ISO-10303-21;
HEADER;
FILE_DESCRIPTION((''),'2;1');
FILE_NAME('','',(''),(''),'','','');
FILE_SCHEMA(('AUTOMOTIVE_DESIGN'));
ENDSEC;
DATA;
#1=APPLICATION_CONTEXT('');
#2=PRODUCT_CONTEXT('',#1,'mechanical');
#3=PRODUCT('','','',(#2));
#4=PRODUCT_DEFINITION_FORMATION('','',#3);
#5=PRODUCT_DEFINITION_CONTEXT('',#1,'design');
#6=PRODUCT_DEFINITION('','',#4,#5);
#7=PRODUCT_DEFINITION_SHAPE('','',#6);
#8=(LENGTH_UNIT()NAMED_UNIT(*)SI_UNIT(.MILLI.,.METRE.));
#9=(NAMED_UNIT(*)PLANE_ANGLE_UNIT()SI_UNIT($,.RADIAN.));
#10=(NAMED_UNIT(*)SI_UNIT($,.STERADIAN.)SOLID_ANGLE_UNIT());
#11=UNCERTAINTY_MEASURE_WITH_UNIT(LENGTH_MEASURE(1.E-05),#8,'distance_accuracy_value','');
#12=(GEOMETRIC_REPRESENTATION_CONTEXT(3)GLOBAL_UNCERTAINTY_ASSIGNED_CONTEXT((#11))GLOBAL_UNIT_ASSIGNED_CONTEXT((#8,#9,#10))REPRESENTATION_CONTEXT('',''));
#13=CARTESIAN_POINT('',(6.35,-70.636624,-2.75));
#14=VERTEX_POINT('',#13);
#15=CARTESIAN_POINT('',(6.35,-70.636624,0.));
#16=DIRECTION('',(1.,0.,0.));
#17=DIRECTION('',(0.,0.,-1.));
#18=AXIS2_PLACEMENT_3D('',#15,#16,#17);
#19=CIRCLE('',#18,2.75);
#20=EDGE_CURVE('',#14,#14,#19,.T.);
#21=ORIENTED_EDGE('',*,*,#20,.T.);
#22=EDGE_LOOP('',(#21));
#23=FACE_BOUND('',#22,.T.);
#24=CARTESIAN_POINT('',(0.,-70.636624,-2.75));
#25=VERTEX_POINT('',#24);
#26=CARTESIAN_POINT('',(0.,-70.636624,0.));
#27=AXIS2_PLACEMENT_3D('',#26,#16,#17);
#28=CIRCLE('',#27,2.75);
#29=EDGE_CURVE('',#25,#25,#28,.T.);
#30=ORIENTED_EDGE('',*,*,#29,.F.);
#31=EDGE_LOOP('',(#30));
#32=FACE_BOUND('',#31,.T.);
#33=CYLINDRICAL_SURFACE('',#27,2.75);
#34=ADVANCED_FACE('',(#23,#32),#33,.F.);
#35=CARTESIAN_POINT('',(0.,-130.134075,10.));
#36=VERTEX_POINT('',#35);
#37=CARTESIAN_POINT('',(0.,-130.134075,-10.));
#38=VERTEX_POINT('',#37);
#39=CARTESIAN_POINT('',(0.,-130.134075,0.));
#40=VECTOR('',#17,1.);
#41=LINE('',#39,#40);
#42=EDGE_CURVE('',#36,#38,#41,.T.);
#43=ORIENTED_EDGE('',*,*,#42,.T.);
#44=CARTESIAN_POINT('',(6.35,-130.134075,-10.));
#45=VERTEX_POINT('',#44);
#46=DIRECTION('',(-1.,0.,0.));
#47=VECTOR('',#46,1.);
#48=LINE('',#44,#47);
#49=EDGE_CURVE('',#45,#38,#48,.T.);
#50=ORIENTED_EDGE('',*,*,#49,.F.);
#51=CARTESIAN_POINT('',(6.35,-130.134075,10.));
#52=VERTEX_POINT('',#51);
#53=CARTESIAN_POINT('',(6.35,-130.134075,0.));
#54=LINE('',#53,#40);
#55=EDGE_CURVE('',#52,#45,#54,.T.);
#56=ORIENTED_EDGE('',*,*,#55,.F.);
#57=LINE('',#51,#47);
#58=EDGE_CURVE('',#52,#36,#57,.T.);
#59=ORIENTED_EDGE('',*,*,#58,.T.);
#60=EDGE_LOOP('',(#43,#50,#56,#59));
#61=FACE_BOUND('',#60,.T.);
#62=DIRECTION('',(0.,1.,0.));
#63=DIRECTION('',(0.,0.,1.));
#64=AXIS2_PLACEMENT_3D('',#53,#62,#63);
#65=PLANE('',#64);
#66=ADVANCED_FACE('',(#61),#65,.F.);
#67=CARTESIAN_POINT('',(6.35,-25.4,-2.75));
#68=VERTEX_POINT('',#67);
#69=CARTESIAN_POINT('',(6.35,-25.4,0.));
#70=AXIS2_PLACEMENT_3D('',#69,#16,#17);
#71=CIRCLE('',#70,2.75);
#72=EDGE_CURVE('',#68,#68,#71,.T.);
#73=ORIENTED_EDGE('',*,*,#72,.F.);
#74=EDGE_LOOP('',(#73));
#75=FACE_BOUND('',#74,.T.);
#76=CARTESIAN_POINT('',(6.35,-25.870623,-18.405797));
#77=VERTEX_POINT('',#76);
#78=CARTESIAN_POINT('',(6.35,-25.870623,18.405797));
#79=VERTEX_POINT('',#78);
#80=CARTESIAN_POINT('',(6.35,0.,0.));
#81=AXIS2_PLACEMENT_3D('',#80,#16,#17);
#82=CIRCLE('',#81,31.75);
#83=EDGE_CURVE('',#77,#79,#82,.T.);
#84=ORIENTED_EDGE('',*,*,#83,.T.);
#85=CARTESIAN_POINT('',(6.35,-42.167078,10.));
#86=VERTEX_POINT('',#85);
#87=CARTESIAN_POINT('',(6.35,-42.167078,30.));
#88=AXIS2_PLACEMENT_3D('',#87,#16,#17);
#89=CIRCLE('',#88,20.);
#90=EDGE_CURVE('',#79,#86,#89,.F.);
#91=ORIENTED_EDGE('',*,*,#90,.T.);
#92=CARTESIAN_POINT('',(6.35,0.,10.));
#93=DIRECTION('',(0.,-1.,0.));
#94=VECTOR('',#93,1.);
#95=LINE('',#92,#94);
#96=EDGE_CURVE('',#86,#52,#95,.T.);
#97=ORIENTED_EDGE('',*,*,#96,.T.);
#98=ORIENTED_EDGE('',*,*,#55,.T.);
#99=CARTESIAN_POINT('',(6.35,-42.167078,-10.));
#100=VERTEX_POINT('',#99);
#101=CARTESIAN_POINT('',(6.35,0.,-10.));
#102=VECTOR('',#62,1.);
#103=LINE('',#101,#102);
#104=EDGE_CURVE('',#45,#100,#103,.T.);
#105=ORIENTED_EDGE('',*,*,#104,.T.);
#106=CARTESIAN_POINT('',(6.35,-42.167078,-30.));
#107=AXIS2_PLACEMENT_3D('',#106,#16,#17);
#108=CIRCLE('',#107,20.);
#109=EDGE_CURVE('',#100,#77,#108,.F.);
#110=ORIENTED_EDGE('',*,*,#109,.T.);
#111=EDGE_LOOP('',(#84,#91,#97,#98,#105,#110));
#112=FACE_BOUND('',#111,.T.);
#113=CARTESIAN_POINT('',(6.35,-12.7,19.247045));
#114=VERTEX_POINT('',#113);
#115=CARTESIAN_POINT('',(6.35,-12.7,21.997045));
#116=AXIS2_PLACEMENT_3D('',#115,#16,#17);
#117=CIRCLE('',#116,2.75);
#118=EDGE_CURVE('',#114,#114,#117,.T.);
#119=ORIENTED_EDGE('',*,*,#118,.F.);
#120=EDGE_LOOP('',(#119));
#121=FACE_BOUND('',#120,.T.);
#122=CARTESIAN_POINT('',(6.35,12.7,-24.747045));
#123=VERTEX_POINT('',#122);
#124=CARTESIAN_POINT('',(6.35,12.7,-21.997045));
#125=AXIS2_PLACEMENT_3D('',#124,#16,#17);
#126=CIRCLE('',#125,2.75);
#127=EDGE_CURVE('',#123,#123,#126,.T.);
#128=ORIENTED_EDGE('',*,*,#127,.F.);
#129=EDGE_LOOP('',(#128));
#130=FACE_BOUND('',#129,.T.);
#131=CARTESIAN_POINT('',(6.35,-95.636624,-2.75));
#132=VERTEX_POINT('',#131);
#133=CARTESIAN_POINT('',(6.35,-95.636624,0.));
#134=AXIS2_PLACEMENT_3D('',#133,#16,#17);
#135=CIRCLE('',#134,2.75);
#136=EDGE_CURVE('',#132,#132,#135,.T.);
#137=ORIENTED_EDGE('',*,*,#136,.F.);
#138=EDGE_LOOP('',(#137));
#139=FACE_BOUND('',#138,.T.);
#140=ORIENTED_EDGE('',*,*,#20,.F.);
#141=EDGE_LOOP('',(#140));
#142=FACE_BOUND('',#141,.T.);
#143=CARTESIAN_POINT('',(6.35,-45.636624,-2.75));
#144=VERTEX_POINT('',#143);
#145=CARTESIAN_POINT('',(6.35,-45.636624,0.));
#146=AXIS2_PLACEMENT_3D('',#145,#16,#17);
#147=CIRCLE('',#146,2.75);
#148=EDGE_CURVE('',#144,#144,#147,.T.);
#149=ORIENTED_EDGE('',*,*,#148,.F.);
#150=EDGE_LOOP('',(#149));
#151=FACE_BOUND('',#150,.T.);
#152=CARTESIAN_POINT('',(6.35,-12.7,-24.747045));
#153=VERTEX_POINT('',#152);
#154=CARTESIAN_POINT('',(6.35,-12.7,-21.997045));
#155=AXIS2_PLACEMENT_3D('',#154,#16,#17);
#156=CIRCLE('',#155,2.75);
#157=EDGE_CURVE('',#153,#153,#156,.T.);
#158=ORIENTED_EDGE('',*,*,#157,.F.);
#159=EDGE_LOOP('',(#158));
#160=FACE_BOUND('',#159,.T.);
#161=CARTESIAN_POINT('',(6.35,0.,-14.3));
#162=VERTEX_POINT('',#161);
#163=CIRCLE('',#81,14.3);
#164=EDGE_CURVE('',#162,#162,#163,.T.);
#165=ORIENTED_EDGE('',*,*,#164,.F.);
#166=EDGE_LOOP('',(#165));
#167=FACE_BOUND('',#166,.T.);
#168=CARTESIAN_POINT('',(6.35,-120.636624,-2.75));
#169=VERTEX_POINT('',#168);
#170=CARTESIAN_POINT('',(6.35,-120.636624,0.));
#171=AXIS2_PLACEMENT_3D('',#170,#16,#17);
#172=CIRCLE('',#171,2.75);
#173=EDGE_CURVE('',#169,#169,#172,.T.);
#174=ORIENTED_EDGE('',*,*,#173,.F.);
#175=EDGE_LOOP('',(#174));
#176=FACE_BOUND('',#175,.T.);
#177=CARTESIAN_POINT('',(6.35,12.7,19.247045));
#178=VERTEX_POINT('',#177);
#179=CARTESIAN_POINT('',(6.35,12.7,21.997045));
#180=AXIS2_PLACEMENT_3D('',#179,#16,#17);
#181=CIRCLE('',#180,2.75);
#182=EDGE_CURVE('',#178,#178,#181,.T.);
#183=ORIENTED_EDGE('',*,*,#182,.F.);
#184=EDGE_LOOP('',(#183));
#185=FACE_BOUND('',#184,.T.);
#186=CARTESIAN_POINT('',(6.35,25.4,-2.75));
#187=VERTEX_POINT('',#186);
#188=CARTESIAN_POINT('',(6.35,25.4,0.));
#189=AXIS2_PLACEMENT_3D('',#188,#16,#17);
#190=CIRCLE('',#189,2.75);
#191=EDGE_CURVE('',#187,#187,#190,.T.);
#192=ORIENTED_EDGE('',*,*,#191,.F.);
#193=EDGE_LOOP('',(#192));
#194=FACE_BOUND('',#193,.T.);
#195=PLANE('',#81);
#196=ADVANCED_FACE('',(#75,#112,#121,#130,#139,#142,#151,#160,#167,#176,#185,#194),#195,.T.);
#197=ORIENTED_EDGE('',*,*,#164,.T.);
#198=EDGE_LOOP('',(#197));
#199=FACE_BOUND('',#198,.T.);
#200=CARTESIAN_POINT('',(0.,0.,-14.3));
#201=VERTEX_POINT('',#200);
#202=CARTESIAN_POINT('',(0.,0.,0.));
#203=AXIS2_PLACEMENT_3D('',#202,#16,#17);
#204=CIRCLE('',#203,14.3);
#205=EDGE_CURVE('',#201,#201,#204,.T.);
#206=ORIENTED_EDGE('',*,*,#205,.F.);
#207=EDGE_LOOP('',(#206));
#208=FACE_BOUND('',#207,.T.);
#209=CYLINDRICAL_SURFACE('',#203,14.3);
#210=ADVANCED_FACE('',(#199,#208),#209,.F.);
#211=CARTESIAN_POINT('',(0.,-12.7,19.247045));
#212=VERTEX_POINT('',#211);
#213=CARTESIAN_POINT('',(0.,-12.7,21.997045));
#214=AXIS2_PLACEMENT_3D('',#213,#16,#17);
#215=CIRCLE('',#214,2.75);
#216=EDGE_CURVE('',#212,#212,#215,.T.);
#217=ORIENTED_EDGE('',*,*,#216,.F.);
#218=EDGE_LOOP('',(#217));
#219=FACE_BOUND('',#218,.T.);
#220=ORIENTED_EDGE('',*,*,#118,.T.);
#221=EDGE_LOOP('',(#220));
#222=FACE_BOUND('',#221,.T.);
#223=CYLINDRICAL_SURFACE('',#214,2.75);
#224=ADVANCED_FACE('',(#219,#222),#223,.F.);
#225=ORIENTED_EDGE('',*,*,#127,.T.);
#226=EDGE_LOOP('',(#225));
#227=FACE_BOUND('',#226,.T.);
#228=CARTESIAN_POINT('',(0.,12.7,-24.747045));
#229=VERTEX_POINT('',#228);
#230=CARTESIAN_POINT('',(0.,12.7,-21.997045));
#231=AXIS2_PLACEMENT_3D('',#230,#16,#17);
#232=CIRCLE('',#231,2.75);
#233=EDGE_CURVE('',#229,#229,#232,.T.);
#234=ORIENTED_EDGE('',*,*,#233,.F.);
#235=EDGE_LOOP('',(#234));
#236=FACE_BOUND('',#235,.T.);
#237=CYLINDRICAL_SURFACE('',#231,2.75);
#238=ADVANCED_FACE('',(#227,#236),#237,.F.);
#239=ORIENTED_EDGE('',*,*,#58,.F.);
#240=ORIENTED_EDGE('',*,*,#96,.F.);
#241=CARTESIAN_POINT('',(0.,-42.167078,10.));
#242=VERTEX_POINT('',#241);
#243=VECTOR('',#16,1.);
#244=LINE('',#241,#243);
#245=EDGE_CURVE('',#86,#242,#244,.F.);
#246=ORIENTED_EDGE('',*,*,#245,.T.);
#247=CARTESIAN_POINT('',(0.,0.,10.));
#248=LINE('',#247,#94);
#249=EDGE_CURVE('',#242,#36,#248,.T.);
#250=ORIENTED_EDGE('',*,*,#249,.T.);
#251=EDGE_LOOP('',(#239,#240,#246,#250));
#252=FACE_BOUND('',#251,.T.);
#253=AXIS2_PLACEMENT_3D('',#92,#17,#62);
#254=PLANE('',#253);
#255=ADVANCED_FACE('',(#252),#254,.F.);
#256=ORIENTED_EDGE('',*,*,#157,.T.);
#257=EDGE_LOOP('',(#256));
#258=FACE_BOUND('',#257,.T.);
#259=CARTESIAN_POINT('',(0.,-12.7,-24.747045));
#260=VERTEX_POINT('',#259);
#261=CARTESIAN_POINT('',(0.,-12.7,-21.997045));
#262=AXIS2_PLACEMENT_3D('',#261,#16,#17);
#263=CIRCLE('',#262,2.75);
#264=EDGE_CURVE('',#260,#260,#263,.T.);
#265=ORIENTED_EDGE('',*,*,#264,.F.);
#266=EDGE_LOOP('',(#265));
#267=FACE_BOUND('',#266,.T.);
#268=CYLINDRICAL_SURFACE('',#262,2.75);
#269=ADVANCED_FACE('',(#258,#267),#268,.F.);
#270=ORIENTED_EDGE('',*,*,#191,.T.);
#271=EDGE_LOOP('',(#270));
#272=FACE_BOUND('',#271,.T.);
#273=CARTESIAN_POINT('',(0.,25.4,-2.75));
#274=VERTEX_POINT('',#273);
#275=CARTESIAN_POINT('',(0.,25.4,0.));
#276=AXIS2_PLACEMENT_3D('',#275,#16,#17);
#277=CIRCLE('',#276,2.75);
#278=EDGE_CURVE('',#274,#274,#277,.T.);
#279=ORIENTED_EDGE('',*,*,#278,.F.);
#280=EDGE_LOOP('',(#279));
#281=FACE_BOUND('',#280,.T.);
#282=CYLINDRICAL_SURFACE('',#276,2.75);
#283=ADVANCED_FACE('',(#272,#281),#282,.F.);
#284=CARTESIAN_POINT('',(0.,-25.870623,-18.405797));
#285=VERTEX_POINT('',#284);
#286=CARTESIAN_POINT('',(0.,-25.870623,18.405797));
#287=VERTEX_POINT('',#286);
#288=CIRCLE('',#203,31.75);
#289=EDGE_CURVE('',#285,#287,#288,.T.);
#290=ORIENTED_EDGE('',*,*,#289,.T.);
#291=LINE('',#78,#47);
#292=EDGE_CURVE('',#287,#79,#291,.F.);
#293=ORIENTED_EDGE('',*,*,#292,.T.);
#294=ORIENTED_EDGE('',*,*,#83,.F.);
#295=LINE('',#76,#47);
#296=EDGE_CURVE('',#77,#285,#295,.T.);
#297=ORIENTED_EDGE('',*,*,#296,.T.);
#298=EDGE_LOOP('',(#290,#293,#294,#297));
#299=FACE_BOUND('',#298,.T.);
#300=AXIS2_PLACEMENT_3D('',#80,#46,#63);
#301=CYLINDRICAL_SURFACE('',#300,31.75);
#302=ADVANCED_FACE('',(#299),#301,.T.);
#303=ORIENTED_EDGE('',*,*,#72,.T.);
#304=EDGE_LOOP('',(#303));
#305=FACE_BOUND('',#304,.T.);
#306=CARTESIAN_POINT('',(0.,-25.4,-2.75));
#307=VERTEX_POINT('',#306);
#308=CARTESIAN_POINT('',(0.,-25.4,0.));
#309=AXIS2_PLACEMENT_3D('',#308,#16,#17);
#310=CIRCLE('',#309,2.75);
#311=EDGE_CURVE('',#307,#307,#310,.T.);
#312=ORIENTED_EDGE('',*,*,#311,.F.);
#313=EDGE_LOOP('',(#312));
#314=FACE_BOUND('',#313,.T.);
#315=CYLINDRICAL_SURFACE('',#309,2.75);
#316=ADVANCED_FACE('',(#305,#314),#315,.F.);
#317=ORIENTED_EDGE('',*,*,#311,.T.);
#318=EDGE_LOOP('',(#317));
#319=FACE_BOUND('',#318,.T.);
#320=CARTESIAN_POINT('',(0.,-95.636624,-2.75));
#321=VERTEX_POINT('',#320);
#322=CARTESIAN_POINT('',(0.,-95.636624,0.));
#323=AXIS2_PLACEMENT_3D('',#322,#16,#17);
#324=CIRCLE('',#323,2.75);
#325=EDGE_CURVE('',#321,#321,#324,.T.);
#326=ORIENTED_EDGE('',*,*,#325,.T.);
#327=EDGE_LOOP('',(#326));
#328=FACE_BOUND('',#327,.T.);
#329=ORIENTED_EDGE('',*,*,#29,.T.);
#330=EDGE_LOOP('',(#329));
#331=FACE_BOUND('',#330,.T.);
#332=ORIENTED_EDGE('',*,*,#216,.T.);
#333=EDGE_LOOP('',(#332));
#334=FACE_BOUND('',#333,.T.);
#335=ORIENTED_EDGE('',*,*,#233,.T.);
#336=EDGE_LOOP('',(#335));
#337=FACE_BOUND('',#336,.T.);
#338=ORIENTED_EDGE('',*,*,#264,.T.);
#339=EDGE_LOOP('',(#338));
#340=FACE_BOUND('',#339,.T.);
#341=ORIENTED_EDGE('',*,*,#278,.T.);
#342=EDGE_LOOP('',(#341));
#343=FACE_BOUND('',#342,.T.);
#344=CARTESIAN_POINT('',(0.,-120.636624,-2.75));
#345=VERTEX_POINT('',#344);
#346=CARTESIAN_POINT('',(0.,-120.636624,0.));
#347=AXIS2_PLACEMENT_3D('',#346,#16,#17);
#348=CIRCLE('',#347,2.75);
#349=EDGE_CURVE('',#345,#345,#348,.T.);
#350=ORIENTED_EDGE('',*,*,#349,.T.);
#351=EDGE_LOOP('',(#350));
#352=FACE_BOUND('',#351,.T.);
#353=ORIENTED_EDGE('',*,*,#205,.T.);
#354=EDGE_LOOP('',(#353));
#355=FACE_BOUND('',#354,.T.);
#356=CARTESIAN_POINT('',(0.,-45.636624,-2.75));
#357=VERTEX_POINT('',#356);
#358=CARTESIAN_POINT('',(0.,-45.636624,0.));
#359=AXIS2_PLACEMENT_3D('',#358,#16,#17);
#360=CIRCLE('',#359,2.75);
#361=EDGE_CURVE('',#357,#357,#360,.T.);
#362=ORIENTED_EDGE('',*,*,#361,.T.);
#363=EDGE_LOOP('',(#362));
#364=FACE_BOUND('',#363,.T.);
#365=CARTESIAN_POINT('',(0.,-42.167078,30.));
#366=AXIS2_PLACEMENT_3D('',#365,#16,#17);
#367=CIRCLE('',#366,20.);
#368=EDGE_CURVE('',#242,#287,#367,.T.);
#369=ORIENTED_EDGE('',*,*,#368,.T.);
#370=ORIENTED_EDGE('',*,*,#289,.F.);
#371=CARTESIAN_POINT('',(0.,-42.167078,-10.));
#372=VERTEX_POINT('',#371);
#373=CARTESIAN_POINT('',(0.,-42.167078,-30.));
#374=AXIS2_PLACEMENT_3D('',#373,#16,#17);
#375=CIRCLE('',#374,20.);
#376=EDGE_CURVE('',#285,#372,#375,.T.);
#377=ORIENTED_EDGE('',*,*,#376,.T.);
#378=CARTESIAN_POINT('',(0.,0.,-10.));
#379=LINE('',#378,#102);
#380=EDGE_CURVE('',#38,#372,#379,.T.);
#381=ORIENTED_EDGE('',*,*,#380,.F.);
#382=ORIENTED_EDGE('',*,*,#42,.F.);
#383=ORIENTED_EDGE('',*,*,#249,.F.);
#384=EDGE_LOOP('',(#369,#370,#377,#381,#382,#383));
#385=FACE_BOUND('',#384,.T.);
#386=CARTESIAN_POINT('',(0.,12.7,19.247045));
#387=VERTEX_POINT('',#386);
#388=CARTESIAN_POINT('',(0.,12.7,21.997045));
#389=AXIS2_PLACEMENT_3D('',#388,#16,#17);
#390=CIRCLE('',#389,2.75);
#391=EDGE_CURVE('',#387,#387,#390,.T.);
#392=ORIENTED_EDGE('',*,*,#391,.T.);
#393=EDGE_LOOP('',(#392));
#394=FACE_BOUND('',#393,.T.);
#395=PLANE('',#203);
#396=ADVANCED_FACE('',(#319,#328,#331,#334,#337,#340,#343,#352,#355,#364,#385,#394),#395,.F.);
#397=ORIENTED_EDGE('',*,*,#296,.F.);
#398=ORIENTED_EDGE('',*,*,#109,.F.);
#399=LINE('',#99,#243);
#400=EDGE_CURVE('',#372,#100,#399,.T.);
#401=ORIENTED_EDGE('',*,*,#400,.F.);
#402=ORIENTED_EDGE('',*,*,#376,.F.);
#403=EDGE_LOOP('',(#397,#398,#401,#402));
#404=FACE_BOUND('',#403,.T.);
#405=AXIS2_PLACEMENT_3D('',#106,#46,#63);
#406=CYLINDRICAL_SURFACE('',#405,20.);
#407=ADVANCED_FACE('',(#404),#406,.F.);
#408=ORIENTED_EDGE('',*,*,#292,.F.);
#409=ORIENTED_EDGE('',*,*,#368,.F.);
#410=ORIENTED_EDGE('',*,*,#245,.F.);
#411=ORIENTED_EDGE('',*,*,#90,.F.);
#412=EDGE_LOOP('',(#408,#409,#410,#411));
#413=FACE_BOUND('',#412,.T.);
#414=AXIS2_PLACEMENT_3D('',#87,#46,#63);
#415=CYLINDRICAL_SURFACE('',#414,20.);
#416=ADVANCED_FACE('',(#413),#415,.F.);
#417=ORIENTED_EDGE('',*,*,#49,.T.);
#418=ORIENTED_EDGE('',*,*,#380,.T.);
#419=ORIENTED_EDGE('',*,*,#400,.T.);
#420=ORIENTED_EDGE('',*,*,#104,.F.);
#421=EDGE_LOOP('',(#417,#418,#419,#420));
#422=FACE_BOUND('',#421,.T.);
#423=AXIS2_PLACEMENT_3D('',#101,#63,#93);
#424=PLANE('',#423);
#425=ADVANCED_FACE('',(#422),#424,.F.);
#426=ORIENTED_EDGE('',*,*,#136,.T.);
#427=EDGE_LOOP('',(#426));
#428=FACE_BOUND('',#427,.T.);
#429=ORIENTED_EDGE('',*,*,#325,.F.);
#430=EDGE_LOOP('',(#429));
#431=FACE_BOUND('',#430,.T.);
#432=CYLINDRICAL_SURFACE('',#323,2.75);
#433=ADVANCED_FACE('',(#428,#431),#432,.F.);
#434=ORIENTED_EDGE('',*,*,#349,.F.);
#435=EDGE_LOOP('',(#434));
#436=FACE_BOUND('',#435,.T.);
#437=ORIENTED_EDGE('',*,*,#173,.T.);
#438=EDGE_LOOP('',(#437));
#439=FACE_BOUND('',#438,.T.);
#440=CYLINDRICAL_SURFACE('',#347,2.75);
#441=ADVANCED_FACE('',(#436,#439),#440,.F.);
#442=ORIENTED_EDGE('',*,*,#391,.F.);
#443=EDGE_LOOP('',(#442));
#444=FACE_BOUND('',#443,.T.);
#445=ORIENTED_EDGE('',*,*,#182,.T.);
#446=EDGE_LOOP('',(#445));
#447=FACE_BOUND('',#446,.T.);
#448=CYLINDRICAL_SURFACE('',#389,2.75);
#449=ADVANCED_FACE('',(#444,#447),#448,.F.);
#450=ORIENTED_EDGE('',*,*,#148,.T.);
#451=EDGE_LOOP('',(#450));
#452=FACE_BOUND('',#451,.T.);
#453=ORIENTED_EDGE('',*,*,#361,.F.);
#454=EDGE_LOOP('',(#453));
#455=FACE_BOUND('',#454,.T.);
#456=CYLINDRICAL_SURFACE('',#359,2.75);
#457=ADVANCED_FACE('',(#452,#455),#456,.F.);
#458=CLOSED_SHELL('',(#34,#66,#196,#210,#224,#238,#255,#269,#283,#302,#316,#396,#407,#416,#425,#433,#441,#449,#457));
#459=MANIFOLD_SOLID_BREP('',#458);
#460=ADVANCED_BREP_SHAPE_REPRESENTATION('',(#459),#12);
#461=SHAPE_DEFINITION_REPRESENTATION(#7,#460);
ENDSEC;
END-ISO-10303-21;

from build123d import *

# Parameters (mm, degrees)
BOSS_EXTRUDE1_DEPTH = 6.35
FILLET1_R           = 20
SKETCH2_R           = 14.3
SKETCH2_R_2         = 2.75
CUT_EXTRUDE1_DEPTH  = 7.35
SKETCH3_R           = 2.75
CUT_EXTRUDE2_DEPTH  = 7.35


with BuildPart() as part:
    # Sketch1 → Boss-Extrude1 (new body)
    with BuildSketch(Plane(origin=(0, 0, 0), x_dir=(0, 0, -1), z_dir=(1, 0, 0))):
        with BuildLine():
            Line((-10, -30.134075396), (-10, -130.134075396))
            Line((-10, -130.134075396), (10, -130.134075396))
            Line((10, -130.134075396), (10, -30.134075396))
            ThreePointArc((10, -30.134075396), (0, 31.75), (-10, -30.134075396))
        make_face()
    extrude(amount=BOSS_EXTRUDE1_DEPTH)

    # Fillet1
    fillet1_edges = [part.edges().sort_by_distance(p)[0] for p in [
        (3.175, -30.134075396, -10),
        (3.175, -30.134075396, 10),
    ]]
    fillet(fillet1_edges, radius=FILLET1_R)

    # Sketch2 → Cut-Extrude1 (cut, through all)
    with BuildSketch(Plane(origin=(6.35, 0, 0), x_dir=(0, 0, -1), z_dir=(1, 0, 0))):
        Circle(SKETCH2_R)
        with Locations((0, 25.4)):
            Circle(SKETCH2_R_2)
        with Locations((21.997045256, 12.7)):
            Circle(SKETCH2_R_2)
        with Locations((21.997045256, -12.7)):
            Circle(SKETCH2_R_2)
        with Locations((0, -25.4)):
            Circle(SKETCH2_R_2)
        with Locations((-21.997045256, -12.7)):
            Circle(SKETCH2_R_2)
        with Locations((-21.997045256, 12.7)):
            Circle(SKETCH2_R_2)
    extrude(amount=-CUT_EXTRUDE1_DEPTH, mode=Mode.SUBTRACT)

    # Sketch3 → Cut-Extrude2 (cut, through all)
    with BuildSketch(Plane(origin=(6.35, 0, 0), x_dir=(0, 0, -1), z_dir=(1, 0, 0))):
        with Locations((0, -120.63662428)):
            Circle(SKETCH3_R)
        with Locations((0, -95.63662428)):
            Circle(SKETCH3_R)
        with Locations((0, -70.63662428)):
            Circle(SKETCH3_R)
        with Locations((0, -45.63662428)):
            Circle(SKETCH3_R)
    extrude(amount=-CUT_EXTRUDE2_DEPTH, mode=Mode.SUBTRACT)


solid = part.part
